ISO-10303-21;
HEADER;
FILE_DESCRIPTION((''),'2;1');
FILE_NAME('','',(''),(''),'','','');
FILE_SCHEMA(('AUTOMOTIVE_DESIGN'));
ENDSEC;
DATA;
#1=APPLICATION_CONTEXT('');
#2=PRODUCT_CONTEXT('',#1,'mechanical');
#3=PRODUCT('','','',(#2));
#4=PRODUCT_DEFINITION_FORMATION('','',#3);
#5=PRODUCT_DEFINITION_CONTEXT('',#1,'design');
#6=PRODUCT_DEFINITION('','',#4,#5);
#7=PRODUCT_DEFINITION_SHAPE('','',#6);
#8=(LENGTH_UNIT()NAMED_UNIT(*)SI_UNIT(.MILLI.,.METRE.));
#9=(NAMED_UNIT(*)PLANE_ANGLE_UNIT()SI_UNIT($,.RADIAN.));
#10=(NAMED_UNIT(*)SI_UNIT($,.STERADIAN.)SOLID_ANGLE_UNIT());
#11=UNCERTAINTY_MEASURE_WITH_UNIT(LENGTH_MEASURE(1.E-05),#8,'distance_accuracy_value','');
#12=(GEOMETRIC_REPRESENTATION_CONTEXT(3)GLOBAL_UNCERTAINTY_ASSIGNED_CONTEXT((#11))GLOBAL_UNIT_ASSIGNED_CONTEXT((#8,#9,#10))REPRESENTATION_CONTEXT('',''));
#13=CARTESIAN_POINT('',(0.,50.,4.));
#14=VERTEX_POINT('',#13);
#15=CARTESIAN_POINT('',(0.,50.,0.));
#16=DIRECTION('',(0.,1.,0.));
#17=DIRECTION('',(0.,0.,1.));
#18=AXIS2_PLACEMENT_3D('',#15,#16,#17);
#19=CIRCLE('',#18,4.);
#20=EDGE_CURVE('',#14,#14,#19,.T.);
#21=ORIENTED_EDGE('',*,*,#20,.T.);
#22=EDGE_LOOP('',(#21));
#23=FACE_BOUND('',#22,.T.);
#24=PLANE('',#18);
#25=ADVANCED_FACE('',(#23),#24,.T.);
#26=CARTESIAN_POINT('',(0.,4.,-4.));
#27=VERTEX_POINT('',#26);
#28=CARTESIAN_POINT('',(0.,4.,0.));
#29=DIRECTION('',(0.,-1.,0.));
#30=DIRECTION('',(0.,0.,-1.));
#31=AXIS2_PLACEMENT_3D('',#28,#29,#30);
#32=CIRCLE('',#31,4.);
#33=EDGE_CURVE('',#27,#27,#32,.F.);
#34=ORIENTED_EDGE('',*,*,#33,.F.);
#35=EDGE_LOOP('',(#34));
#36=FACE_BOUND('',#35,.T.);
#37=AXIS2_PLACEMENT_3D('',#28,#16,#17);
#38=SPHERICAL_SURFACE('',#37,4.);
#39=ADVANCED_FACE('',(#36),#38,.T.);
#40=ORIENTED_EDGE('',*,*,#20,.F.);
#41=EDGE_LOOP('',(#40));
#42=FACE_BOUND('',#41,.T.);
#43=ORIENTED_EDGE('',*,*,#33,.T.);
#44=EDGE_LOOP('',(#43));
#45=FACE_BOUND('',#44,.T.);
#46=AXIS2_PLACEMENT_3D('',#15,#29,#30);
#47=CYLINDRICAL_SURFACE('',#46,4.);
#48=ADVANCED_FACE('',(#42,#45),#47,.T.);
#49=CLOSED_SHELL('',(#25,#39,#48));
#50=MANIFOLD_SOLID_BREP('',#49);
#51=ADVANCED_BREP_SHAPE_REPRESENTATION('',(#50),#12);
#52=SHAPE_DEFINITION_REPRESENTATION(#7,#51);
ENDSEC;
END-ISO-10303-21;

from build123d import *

# Parameters (mm, degrees)
SKETCH1_R           = 4
BOSS_EXTRUDE1_DEPTH = 50
FILLET1_R           = 4


with BuildPart() as part:
    # Sketch1 → Boss-Extrude1 (new body)
    with BuildSketch(Plane(origin=(0, 0, 0), x_dir=(1, 0, 0), z_dir=(0, 1, 0))):
        with Locations(Location((0, 0, 0), (0, 0, 270))):
            Circle(SKETCH1_R)
    extrude(amount=BOSS_EXTRUDE1_DEPTH)

    # Fillet1
    fillet1_edges = [part.edges().sort_by_distance(p)[0] for p in [
        (0, 0, -4),
    ]]
    fillet(fillet1_edges, radius=FILLET1_R)


solid = part.part
